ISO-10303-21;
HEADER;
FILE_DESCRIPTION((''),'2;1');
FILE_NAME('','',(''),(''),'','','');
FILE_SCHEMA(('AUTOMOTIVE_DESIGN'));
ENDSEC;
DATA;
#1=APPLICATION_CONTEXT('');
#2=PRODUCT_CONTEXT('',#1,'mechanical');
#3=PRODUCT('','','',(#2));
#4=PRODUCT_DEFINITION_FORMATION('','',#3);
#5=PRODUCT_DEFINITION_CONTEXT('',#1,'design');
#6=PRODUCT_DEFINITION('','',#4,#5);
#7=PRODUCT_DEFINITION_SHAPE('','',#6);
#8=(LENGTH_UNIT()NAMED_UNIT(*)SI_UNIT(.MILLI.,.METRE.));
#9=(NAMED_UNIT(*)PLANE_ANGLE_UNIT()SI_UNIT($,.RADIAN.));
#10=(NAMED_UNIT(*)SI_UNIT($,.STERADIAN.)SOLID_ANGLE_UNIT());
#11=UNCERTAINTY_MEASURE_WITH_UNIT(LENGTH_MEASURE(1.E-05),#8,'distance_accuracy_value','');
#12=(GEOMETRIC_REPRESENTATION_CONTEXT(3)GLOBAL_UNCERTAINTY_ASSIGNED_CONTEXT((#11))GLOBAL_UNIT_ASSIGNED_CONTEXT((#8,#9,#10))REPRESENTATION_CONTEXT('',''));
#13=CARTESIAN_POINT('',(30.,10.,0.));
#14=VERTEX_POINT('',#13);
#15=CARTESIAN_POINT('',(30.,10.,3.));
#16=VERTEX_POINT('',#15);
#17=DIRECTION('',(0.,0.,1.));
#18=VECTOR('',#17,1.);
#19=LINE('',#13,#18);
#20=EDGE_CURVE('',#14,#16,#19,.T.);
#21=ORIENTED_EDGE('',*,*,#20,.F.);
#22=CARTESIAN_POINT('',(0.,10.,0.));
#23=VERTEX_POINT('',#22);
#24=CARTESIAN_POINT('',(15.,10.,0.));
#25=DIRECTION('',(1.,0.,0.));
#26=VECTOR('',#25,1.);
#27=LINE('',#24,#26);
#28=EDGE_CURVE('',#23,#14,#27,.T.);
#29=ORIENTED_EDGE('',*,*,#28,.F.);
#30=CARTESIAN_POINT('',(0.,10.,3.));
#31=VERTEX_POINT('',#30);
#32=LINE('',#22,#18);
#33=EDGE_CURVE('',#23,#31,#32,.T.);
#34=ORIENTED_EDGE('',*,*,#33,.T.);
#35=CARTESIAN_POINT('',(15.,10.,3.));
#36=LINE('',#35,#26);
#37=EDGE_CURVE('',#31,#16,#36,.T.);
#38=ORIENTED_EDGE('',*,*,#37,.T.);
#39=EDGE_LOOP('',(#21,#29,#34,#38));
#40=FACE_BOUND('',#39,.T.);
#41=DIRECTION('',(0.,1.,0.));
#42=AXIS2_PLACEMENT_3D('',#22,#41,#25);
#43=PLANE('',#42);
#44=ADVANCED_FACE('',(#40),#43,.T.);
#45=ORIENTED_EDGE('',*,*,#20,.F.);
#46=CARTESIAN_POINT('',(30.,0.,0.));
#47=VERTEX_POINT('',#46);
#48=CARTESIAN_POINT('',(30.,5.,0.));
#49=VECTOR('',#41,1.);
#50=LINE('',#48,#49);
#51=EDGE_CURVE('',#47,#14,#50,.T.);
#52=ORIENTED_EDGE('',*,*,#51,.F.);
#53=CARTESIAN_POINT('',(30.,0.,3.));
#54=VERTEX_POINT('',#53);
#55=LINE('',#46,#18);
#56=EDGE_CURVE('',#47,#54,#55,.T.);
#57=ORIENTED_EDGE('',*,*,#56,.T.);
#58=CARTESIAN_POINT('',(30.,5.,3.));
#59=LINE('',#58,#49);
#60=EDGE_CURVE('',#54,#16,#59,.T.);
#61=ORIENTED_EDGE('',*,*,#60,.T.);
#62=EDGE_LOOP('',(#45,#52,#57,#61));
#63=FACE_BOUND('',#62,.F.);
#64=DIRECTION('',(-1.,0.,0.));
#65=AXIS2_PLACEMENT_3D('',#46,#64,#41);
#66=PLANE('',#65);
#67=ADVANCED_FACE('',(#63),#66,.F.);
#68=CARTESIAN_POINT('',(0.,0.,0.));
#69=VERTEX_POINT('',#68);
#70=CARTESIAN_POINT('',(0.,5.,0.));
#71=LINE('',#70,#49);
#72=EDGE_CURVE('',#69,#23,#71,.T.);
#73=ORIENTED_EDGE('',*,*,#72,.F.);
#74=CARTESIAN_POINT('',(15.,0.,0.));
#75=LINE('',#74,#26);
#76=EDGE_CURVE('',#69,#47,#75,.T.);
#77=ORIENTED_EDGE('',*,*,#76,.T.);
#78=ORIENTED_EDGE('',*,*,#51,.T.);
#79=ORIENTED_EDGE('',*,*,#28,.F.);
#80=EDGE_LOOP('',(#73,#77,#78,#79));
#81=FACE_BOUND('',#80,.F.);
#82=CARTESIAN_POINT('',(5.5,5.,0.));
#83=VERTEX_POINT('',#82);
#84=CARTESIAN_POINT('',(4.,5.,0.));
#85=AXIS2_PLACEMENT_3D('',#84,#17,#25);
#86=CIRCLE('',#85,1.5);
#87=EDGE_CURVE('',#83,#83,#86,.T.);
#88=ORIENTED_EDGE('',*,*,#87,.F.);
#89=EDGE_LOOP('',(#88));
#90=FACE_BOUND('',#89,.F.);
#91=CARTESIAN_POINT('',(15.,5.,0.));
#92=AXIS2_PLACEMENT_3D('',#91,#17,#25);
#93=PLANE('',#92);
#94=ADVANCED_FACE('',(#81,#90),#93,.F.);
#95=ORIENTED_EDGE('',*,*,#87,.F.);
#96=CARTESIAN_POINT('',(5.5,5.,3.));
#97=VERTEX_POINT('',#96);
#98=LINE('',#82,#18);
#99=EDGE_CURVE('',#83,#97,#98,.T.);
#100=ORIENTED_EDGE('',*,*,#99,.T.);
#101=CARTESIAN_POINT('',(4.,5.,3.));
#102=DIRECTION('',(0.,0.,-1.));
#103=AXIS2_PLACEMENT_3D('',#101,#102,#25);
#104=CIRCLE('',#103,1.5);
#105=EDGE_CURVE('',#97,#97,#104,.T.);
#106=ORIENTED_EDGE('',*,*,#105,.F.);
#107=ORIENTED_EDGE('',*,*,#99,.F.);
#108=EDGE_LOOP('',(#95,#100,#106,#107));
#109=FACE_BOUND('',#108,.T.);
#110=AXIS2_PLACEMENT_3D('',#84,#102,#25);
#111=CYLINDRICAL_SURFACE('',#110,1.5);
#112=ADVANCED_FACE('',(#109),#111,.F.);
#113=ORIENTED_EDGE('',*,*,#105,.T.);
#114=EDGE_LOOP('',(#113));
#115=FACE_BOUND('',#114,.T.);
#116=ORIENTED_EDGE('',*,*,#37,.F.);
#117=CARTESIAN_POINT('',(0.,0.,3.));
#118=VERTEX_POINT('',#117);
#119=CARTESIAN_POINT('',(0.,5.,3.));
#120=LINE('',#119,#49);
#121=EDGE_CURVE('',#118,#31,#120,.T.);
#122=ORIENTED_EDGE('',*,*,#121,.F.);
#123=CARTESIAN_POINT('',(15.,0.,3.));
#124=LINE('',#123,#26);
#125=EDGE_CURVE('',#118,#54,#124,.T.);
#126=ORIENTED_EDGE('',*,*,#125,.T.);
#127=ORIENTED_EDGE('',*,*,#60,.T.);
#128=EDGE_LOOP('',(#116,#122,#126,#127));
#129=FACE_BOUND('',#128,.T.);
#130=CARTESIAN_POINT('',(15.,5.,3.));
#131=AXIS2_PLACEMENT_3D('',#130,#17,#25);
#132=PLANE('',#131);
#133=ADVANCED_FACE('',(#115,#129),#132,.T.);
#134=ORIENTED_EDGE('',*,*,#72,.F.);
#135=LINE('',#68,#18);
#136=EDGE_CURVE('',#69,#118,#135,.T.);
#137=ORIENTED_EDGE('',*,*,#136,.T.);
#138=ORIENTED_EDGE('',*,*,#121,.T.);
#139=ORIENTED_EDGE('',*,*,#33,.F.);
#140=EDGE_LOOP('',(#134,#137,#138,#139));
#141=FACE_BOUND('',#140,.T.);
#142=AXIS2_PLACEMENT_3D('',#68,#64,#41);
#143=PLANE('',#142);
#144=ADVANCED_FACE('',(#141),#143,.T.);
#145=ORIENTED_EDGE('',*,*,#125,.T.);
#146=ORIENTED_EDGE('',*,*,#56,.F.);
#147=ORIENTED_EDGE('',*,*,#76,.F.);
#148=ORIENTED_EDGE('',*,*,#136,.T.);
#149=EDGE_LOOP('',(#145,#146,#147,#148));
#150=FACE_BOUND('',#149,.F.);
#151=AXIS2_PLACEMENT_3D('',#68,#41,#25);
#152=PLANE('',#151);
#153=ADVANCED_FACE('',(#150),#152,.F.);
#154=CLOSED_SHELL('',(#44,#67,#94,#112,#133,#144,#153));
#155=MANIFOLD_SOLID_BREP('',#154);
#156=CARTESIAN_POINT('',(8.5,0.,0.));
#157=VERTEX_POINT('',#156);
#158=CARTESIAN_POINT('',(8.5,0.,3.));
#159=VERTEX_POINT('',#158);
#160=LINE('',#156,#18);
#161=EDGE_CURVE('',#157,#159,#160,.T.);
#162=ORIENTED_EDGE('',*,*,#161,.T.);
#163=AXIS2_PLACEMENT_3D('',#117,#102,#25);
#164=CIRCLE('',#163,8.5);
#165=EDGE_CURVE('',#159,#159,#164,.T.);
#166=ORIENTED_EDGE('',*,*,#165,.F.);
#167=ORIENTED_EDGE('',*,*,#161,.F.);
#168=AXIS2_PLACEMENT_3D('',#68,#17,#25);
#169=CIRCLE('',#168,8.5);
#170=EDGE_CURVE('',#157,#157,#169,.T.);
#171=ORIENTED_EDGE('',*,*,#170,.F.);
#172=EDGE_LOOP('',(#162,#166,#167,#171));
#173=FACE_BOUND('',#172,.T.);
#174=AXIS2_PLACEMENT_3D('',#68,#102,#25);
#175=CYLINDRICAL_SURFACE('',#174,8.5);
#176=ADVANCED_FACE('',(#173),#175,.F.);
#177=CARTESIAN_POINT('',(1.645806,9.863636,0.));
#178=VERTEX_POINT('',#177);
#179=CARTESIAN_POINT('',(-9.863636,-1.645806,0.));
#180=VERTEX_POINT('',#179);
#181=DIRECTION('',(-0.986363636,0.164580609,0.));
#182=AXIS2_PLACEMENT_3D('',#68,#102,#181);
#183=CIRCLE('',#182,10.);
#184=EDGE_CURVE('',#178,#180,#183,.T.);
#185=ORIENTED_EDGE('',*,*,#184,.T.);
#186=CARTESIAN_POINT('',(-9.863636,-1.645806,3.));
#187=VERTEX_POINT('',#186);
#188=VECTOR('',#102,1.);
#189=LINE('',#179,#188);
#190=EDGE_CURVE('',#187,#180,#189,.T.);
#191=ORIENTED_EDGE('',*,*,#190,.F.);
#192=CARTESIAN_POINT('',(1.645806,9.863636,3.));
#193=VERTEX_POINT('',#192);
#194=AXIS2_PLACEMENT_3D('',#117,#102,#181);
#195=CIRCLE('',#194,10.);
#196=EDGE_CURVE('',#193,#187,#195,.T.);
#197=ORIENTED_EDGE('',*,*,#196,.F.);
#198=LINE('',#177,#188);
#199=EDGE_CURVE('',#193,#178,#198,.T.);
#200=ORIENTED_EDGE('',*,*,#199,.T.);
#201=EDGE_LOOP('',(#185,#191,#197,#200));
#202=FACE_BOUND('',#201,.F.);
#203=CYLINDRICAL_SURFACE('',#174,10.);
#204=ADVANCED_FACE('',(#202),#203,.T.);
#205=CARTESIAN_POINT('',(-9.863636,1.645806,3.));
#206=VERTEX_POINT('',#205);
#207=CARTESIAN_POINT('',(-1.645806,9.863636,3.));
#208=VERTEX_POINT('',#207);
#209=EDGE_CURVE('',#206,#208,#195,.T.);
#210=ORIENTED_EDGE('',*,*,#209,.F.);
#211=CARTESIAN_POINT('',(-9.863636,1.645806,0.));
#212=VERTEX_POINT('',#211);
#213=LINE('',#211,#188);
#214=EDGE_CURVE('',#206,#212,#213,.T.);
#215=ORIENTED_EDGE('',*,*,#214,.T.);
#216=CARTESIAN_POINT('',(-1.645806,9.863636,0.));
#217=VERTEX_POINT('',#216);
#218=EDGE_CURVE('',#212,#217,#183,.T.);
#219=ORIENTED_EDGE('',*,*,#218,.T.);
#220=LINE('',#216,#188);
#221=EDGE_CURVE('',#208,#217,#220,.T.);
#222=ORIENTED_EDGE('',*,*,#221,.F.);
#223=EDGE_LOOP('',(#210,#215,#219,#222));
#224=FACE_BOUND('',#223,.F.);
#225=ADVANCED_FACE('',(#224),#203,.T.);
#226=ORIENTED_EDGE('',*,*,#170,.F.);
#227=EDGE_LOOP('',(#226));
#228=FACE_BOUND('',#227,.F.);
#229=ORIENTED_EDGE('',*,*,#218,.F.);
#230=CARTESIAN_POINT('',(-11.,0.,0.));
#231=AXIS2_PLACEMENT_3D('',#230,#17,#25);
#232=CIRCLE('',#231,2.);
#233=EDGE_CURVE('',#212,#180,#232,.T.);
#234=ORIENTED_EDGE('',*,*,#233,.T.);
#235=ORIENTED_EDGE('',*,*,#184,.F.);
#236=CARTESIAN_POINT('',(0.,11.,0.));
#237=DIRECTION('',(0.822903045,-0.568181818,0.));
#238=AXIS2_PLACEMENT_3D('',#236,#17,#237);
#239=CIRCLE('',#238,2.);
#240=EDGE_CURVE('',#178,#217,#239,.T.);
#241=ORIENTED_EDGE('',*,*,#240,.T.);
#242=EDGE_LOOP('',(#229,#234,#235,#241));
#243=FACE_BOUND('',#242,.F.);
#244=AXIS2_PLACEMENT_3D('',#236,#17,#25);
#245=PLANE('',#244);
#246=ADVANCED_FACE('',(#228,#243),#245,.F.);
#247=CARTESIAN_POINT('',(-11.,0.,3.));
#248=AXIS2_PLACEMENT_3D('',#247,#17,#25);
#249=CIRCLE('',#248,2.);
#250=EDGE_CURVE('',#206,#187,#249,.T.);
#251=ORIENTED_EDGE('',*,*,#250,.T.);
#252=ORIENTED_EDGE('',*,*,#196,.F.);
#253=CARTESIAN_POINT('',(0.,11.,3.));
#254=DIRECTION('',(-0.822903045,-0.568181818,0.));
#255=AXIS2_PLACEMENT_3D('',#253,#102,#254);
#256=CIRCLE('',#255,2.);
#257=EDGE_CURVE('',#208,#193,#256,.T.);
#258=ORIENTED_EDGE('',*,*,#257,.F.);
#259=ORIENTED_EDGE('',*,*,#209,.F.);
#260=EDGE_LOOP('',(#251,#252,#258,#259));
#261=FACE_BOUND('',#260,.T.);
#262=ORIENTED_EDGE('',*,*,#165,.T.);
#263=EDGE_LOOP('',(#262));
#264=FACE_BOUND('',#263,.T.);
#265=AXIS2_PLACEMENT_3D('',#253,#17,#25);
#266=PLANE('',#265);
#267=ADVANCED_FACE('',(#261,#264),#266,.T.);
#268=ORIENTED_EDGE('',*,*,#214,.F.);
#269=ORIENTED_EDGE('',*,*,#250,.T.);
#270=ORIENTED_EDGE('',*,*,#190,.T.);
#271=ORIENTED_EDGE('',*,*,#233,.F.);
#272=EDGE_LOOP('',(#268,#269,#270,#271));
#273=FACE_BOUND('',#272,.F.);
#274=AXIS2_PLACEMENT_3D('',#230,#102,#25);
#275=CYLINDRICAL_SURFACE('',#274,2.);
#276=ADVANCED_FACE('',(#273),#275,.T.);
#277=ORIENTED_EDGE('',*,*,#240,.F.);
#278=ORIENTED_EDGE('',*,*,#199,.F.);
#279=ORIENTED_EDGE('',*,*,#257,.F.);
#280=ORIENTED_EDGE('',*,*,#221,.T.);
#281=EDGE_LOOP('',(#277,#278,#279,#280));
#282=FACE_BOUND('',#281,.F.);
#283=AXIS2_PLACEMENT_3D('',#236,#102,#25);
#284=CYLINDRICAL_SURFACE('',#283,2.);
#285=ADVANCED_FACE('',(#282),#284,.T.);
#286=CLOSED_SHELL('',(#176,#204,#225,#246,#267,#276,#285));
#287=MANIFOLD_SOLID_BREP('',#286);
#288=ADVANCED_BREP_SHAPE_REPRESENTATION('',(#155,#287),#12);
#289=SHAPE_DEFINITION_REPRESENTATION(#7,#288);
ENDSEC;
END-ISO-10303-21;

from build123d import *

# Parameters (mm, degrees)
CYLINDER_R        = 1.5
CYLINDER_DEPTH    = 10
BOX_W             = 30
BOX_H             = 10
BOX_DEPTH         = 3
CYLINDER004_R     = 2
CYLINDER004_DEPTH = 3
CYLINDER003_R     = 2
CYLINDER003_DEPTH = 3
CYLINDER002_R     = 8.5
CYLINDER002_DEPTH = 10
CYLINDER001_R     = 10
CYLINDER001_DEPTH = 3


with BuildPart() as cylinder:
    # Cylinder → Cylinder (new body)
    with BuildSketch(Plane(origin=(4, 5, 0), x_dir=(1, 0, 0), z_dir=(0, 0, 1))):
        Circle(CYLINDER_R)
    extrude(amount=CYLINDER_DEPTH)


with BuildPart() as cut:
    # Box → Box (new body)
    with BuildSketch(Plane.XY):
        with Locations((15, 5)):
            Rectangle(BOX_W, BOX_H)
    extrude(amount=BOX_DEPTH)

    # Cut: cut Cylinder
    add(cylinder.part, mode=Mode.SUBTRACT)


with BuildPart() as cylinder004:
    # Cylinder004 → Cylinder004 (new body)
    with BuildSketch(Plane(origin=(-11, 0, 0), x_dir=(1, 0, 0), z_dir=(0, 0, 1))):
        Circle(CYLINDER004_R)
    extrude(amount=CYLINDER004_DEPTH)


with BuildPart() as cylinder003:
    # Cylinder003 → Cylinder003 (new body)
    with BuildSketch(Plane(origin=(0, 11, 0), x_dir=(1, 0, 0), z_dir=(0, 0, 1))):
        Circle(CYLINDER003_R)
    extrude(amount=CYLINDER003_DEPTH)


with BuildPart() as cylinder002:
    # Cylinder002 → Cylinder002 (new body)
    with BuildSketch(Plane.XY):
        Circle(CYLINDER002_R)
    extrude(amount=CYLINDER002_DEPTH)


with BuildPart() as anillo:
    # Cylinder001 → Cylinder001 (new body)
    with BuildSketch(Plane.XY):
        Circle(CYLINDER001_R)
    extrude(amount=CYLINDER001_DEPTH)

    # Cut001: cut Cylinder002
    add(cylinder002.part, mode=Mode.SUBTRACT)

    # Fusion: union Cylinder004, Cylinder003
    add(cylinder004.part)
    add(cylinder003.part)


solid = Compound([cut.part, anillo.part])
